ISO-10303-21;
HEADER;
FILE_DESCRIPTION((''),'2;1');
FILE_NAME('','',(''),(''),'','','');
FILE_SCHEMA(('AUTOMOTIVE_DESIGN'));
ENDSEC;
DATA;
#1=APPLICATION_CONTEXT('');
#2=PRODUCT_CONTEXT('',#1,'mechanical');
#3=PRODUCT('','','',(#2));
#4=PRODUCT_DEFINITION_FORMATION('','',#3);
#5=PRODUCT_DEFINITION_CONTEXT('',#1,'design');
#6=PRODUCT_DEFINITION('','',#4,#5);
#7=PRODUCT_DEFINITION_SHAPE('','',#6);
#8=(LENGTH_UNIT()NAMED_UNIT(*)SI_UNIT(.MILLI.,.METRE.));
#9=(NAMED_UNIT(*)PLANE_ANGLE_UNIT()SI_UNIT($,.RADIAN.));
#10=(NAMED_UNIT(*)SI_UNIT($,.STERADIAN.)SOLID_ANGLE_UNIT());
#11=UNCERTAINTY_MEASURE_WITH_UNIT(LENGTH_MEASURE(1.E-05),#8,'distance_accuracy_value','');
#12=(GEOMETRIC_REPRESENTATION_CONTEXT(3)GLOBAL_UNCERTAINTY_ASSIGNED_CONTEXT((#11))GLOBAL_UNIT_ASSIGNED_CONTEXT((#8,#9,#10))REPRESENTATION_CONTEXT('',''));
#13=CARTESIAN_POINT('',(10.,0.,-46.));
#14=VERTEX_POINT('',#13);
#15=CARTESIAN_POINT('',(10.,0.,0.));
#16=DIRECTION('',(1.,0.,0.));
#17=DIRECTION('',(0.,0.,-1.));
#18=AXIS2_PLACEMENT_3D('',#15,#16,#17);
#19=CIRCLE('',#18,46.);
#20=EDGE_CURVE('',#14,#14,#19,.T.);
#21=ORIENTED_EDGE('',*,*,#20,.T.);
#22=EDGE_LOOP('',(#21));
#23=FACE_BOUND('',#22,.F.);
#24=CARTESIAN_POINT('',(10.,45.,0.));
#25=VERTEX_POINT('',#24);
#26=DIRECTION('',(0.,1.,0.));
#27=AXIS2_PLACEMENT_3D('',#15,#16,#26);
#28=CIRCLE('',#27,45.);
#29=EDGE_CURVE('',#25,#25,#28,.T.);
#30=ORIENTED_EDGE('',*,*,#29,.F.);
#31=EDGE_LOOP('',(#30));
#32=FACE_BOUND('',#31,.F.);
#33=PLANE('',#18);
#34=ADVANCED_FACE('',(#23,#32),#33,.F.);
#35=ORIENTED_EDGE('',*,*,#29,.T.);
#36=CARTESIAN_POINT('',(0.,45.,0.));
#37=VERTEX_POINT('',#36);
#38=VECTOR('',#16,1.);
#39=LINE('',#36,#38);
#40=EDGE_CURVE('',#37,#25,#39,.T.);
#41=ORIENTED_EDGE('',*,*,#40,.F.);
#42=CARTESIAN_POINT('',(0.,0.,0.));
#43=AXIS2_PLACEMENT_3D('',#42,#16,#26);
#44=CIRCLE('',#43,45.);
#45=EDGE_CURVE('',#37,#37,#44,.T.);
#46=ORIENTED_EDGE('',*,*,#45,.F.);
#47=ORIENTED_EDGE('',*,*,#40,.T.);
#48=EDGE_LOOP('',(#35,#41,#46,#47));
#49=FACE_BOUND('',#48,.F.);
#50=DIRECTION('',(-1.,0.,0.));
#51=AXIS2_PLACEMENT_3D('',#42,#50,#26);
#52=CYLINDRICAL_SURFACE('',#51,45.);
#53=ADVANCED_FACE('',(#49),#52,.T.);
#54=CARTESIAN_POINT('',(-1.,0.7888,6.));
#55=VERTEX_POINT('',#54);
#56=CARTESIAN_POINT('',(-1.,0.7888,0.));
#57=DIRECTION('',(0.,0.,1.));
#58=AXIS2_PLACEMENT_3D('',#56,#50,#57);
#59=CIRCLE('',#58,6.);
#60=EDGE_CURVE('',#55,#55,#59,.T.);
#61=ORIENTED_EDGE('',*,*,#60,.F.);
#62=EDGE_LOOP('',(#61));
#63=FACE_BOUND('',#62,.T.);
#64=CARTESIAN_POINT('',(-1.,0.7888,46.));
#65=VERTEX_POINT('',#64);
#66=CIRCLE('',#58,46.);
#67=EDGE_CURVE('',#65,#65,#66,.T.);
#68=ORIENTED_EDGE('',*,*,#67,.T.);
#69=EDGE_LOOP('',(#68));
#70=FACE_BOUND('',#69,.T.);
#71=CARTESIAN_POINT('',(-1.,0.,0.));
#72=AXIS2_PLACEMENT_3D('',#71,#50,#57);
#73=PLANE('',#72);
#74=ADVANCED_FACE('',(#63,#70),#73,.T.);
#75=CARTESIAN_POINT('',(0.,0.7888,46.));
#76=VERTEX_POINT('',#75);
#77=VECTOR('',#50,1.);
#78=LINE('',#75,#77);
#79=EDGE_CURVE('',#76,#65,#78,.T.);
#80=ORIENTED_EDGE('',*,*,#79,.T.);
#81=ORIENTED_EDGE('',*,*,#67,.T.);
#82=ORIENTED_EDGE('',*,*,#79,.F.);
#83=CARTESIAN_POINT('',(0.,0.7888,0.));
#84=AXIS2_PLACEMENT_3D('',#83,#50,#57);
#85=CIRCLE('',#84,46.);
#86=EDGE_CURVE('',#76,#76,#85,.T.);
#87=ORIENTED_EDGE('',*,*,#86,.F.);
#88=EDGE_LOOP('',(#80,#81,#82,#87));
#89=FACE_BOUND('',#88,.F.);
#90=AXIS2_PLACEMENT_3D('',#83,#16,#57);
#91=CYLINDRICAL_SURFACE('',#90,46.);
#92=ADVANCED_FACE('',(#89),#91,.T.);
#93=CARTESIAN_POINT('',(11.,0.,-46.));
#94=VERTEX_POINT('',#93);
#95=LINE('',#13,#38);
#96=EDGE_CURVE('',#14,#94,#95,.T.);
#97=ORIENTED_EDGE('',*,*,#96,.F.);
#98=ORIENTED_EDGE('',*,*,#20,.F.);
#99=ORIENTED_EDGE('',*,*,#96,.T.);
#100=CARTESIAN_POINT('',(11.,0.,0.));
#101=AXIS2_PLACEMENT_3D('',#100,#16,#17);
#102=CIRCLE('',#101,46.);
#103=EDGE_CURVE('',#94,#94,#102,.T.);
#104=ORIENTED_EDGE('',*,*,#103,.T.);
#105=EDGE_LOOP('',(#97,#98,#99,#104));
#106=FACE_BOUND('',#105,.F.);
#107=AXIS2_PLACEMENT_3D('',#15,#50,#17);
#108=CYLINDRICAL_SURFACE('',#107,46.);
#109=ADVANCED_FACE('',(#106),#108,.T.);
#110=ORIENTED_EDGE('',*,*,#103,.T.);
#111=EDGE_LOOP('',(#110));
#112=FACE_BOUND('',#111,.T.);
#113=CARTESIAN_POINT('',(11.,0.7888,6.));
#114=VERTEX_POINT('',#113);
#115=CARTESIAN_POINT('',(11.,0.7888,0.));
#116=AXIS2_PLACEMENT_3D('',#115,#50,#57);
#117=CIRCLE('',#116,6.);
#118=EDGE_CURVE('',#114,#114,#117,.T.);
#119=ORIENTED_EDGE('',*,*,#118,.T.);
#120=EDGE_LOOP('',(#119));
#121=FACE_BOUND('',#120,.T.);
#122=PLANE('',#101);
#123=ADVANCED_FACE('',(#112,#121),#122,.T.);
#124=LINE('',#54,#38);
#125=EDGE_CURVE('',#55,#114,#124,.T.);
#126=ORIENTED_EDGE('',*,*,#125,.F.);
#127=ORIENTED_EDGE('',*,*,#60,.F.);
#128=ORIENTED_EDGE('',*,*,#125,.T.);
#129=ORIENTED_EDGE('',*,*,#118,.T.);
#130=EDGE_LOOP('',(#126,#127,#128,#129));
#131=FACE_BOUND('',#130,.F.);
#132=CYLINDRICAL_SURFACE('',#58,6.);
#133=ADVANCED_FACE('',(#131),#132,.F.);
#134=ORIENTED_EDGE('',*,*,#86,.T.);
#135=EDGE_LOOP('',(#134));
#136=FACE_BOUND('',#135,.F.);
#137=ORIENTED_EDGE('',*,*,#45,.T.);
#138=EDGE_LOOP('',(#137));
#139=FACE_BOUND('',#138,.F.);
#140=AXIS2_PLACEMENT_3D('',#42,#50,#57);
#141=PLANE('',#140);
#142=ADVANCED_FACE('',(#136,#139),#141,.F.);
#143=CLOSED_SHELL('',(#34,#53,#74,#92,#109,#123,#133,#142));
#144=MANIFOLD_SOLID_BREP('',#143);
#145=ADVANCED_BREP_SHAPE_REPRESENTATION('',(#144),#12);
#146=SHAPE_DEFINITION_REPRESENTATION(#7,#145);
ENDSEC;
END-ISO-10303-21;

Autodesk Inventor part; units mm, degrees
ref_plane "YZ Plane" through (0, 0, 0) normal (1, 0, 0) x (0, 1, 0)
ref_plane "XZ Plane" through (0, 0, 0) normal (0, 1, 0) x (-1, 0, 0)
ref_plane "XY Plane" through (0, 0, 0) normal (0, 0, 1) x (1, 0, 0)
sketch "スケッチ1" plane through (0, 0, 0) normal (1, 0, 0) x (0, 1, 0)
  circle A0 centre (0, 0) radius 45
  dimension "d0" = 90
extrude "押し出し1" add sketch "スケッチ1" along normal blind 10
sketch "スケッチ2" plane through (10, 0, 0) normal (1, 0, 0) x (0, 0, -1)
  circle A0 centre (0, 0) radius 46
  dimension "d3" = 92
extrude "押し出し2" add sketch "スケッチ2" along normal blind 1
sketch "スケッチ3" plane through (0, 0, 0) normal (-1, 0, 0) x (0, 0, 1)
  circle A0 centre (0, 0.7888) radius 46
  point P0 (0, 0)
  dimension "d6" = 92
extrude "押し出し3" add sketch "スケッチ3" along normal blind 1
sketch "スケッチ4" plane through (-1, 0.7888, 0) normal (-1, 0, 0) x (0, 0, 1)
  point P0 (0, -0.7888)
sketch "スケッチ5" plane through (-1, 0.7888, 0) normal (-1, 0, 0) x (0, 0, 1)
  circle A0 centre (0, 0) radius 6
  circle A1 centre (0, 0) radius 46 projected
  point P0 (0, -0.7888)
  dimension "d9" = 12
  dimension "d10" = 40
extrude "押し出し4" cut sketch "スケッチ5" against normal blind 12 contours A0
equation "\"BendRadius\" = Thickness"
equation "\"BendReliefWidth\" = Thickness"
equation "\"BendReliefDepth\" = 0.5 * Thickness"
equation "\"CornerReliefSize\" = 4 * Thickness"
equation "\"MinimumRemnant\" = 2 * Thickness"
equation "\"TransitionRadius\" = BendRadius"
equation "\"JacobiRadiusSize\" = BendRadius"
equation "\"GapSize\" = Thickness"
equation "\"Thickness\" = 0.5"
properties part number "type3" material "アセタール樹脂、白"
